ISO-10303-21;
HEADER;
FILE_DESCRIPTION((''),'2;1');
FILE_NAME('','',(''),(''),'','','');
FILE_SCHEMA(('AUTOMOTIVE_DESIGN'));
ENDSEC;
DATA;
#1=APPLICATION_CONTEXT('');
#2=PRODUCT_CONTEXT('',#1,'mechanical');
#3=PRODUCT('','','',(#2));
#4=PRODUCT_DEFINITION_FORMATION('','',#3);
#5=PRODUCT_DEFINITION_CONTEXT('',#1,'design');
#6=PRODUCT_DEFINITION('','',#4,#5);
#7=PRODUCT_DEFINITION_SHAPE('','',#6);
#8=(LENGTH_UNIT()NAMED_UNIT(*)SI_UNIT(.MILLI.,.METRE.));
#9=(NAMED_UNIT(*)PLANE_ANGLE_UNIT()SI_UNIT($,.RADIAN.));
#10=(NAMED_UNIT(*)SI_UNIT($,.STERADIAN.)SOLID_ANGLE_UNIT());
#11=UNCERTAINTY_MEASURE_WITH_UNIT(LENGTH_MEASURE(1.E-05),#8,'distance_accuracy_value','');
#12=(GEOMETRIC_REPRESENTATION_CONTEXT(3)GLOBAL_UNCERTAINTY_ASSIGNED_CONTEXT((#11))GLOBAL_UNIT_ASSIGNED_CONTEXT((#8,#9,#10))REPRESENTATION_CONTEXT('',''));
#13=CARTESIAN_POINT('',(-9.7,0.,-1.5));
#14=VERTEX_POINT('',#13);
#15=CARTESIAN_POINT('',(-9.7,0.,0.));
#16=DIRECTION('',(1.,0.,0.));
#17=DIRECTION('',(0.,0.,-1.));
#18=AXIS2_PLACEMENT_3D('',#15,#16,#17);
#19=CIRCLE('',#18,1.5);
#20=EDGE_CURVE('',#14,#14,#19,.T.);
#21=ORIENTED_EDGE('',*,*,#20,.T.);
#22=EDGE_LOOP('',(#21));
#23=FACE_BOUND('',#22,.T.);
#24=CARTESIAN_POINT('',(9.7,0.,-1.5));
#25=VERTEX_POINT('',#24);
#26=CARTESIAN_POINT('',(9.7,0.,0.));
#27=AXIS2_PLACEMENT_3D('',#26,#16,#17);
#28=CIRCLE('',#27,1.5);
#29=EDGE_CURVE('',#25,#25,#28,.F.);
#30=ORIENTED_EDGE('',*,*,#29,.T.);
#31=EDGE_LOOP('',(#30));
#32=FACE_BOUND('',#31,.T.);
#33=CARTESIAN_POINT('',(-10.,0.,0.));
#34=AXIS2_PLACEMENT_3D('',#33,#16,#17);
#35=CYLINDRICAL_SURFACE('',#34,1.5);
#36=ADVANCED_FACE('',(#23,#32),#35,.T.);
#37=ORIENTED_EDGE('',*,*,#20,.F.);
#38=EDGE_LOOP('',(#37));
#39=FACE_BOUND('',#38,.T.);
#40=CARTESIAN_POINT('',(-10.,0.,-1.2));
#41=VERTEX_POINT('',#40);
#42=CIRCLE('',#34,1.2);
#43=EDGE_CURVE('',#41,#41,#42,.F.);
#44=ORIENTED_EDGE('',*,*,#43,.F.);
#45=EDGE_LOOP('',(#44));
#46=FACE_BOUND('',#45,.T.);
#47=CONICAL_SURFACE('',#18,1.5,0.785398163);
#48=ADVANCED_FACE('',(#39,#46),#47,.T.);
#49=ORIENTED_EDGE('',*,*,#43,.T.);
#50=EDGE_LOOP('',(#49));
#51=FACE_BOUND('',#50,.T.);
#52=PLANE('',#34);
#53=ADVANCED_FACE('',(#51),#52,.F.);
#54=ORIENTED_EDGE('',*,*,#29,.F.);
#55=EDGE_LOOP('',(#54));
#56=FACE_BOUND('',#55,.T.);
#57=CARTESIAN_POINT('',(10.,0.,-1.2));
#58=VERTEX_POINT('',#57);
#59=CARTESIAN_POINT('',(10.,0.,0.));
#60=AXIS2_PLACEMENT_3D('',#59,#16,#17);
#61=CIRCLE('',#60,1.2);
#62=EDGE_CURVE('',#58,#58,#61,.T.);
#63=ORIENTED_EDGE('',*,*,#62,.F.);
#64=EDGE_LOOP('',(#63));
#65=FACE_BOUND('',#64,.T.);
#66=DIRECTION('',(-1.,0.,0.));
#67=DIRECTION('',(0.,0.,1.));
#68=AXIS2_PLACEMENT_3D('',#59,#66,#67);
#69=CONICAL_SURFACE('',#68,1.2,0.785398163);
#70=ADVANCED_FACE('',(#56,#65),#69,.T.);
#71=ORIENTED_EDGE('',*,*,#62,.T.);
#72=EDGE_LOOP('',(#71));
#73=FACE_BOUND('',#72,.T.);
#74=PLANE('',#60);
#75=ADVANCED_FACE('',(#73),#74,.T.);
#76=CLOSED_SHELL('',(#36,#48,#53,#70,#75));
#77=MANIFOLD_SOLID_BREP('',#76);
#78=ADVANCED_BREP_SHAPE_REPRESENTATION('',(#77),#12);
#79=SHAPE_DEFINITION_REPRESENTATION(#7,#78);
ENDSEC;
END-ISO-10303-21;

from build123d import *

# Parameters (mm, degrees)
SKETCH3_R           = 1.5
EXTRUDE1_DEPTH      = 10
EXTRUDE1_DEPTH_BACK = 10
CHAMFER1_SIZE       = 0.3


with BuildPart() as part:
    # Sketch3 → Extrude1 (new body, two sides)
    with BuildSketch(Plane(origin=(0, 0, 0), x_dir=(0, 0, -1), z_dir=(1, 0, 0))) as extrude1_sk:
        Circle(SKETCH3_R)
    extrude(amount=EXTRUDE1_DEPTH)
    extrude(extrude1_sk.sketch, amount=-EXTRUDE1_DEPTH_BACK)

    # Chamfer1
    chamfer1_edges = [part.edges().sort_by_distance(p)[0] for p in [
        (-10, 0, 1.5),
        (10, 0, 1.5),
    ]]
    chamfer(chamfer1_edges, length=CHAMFER1_SIZE)


solid = part.part
